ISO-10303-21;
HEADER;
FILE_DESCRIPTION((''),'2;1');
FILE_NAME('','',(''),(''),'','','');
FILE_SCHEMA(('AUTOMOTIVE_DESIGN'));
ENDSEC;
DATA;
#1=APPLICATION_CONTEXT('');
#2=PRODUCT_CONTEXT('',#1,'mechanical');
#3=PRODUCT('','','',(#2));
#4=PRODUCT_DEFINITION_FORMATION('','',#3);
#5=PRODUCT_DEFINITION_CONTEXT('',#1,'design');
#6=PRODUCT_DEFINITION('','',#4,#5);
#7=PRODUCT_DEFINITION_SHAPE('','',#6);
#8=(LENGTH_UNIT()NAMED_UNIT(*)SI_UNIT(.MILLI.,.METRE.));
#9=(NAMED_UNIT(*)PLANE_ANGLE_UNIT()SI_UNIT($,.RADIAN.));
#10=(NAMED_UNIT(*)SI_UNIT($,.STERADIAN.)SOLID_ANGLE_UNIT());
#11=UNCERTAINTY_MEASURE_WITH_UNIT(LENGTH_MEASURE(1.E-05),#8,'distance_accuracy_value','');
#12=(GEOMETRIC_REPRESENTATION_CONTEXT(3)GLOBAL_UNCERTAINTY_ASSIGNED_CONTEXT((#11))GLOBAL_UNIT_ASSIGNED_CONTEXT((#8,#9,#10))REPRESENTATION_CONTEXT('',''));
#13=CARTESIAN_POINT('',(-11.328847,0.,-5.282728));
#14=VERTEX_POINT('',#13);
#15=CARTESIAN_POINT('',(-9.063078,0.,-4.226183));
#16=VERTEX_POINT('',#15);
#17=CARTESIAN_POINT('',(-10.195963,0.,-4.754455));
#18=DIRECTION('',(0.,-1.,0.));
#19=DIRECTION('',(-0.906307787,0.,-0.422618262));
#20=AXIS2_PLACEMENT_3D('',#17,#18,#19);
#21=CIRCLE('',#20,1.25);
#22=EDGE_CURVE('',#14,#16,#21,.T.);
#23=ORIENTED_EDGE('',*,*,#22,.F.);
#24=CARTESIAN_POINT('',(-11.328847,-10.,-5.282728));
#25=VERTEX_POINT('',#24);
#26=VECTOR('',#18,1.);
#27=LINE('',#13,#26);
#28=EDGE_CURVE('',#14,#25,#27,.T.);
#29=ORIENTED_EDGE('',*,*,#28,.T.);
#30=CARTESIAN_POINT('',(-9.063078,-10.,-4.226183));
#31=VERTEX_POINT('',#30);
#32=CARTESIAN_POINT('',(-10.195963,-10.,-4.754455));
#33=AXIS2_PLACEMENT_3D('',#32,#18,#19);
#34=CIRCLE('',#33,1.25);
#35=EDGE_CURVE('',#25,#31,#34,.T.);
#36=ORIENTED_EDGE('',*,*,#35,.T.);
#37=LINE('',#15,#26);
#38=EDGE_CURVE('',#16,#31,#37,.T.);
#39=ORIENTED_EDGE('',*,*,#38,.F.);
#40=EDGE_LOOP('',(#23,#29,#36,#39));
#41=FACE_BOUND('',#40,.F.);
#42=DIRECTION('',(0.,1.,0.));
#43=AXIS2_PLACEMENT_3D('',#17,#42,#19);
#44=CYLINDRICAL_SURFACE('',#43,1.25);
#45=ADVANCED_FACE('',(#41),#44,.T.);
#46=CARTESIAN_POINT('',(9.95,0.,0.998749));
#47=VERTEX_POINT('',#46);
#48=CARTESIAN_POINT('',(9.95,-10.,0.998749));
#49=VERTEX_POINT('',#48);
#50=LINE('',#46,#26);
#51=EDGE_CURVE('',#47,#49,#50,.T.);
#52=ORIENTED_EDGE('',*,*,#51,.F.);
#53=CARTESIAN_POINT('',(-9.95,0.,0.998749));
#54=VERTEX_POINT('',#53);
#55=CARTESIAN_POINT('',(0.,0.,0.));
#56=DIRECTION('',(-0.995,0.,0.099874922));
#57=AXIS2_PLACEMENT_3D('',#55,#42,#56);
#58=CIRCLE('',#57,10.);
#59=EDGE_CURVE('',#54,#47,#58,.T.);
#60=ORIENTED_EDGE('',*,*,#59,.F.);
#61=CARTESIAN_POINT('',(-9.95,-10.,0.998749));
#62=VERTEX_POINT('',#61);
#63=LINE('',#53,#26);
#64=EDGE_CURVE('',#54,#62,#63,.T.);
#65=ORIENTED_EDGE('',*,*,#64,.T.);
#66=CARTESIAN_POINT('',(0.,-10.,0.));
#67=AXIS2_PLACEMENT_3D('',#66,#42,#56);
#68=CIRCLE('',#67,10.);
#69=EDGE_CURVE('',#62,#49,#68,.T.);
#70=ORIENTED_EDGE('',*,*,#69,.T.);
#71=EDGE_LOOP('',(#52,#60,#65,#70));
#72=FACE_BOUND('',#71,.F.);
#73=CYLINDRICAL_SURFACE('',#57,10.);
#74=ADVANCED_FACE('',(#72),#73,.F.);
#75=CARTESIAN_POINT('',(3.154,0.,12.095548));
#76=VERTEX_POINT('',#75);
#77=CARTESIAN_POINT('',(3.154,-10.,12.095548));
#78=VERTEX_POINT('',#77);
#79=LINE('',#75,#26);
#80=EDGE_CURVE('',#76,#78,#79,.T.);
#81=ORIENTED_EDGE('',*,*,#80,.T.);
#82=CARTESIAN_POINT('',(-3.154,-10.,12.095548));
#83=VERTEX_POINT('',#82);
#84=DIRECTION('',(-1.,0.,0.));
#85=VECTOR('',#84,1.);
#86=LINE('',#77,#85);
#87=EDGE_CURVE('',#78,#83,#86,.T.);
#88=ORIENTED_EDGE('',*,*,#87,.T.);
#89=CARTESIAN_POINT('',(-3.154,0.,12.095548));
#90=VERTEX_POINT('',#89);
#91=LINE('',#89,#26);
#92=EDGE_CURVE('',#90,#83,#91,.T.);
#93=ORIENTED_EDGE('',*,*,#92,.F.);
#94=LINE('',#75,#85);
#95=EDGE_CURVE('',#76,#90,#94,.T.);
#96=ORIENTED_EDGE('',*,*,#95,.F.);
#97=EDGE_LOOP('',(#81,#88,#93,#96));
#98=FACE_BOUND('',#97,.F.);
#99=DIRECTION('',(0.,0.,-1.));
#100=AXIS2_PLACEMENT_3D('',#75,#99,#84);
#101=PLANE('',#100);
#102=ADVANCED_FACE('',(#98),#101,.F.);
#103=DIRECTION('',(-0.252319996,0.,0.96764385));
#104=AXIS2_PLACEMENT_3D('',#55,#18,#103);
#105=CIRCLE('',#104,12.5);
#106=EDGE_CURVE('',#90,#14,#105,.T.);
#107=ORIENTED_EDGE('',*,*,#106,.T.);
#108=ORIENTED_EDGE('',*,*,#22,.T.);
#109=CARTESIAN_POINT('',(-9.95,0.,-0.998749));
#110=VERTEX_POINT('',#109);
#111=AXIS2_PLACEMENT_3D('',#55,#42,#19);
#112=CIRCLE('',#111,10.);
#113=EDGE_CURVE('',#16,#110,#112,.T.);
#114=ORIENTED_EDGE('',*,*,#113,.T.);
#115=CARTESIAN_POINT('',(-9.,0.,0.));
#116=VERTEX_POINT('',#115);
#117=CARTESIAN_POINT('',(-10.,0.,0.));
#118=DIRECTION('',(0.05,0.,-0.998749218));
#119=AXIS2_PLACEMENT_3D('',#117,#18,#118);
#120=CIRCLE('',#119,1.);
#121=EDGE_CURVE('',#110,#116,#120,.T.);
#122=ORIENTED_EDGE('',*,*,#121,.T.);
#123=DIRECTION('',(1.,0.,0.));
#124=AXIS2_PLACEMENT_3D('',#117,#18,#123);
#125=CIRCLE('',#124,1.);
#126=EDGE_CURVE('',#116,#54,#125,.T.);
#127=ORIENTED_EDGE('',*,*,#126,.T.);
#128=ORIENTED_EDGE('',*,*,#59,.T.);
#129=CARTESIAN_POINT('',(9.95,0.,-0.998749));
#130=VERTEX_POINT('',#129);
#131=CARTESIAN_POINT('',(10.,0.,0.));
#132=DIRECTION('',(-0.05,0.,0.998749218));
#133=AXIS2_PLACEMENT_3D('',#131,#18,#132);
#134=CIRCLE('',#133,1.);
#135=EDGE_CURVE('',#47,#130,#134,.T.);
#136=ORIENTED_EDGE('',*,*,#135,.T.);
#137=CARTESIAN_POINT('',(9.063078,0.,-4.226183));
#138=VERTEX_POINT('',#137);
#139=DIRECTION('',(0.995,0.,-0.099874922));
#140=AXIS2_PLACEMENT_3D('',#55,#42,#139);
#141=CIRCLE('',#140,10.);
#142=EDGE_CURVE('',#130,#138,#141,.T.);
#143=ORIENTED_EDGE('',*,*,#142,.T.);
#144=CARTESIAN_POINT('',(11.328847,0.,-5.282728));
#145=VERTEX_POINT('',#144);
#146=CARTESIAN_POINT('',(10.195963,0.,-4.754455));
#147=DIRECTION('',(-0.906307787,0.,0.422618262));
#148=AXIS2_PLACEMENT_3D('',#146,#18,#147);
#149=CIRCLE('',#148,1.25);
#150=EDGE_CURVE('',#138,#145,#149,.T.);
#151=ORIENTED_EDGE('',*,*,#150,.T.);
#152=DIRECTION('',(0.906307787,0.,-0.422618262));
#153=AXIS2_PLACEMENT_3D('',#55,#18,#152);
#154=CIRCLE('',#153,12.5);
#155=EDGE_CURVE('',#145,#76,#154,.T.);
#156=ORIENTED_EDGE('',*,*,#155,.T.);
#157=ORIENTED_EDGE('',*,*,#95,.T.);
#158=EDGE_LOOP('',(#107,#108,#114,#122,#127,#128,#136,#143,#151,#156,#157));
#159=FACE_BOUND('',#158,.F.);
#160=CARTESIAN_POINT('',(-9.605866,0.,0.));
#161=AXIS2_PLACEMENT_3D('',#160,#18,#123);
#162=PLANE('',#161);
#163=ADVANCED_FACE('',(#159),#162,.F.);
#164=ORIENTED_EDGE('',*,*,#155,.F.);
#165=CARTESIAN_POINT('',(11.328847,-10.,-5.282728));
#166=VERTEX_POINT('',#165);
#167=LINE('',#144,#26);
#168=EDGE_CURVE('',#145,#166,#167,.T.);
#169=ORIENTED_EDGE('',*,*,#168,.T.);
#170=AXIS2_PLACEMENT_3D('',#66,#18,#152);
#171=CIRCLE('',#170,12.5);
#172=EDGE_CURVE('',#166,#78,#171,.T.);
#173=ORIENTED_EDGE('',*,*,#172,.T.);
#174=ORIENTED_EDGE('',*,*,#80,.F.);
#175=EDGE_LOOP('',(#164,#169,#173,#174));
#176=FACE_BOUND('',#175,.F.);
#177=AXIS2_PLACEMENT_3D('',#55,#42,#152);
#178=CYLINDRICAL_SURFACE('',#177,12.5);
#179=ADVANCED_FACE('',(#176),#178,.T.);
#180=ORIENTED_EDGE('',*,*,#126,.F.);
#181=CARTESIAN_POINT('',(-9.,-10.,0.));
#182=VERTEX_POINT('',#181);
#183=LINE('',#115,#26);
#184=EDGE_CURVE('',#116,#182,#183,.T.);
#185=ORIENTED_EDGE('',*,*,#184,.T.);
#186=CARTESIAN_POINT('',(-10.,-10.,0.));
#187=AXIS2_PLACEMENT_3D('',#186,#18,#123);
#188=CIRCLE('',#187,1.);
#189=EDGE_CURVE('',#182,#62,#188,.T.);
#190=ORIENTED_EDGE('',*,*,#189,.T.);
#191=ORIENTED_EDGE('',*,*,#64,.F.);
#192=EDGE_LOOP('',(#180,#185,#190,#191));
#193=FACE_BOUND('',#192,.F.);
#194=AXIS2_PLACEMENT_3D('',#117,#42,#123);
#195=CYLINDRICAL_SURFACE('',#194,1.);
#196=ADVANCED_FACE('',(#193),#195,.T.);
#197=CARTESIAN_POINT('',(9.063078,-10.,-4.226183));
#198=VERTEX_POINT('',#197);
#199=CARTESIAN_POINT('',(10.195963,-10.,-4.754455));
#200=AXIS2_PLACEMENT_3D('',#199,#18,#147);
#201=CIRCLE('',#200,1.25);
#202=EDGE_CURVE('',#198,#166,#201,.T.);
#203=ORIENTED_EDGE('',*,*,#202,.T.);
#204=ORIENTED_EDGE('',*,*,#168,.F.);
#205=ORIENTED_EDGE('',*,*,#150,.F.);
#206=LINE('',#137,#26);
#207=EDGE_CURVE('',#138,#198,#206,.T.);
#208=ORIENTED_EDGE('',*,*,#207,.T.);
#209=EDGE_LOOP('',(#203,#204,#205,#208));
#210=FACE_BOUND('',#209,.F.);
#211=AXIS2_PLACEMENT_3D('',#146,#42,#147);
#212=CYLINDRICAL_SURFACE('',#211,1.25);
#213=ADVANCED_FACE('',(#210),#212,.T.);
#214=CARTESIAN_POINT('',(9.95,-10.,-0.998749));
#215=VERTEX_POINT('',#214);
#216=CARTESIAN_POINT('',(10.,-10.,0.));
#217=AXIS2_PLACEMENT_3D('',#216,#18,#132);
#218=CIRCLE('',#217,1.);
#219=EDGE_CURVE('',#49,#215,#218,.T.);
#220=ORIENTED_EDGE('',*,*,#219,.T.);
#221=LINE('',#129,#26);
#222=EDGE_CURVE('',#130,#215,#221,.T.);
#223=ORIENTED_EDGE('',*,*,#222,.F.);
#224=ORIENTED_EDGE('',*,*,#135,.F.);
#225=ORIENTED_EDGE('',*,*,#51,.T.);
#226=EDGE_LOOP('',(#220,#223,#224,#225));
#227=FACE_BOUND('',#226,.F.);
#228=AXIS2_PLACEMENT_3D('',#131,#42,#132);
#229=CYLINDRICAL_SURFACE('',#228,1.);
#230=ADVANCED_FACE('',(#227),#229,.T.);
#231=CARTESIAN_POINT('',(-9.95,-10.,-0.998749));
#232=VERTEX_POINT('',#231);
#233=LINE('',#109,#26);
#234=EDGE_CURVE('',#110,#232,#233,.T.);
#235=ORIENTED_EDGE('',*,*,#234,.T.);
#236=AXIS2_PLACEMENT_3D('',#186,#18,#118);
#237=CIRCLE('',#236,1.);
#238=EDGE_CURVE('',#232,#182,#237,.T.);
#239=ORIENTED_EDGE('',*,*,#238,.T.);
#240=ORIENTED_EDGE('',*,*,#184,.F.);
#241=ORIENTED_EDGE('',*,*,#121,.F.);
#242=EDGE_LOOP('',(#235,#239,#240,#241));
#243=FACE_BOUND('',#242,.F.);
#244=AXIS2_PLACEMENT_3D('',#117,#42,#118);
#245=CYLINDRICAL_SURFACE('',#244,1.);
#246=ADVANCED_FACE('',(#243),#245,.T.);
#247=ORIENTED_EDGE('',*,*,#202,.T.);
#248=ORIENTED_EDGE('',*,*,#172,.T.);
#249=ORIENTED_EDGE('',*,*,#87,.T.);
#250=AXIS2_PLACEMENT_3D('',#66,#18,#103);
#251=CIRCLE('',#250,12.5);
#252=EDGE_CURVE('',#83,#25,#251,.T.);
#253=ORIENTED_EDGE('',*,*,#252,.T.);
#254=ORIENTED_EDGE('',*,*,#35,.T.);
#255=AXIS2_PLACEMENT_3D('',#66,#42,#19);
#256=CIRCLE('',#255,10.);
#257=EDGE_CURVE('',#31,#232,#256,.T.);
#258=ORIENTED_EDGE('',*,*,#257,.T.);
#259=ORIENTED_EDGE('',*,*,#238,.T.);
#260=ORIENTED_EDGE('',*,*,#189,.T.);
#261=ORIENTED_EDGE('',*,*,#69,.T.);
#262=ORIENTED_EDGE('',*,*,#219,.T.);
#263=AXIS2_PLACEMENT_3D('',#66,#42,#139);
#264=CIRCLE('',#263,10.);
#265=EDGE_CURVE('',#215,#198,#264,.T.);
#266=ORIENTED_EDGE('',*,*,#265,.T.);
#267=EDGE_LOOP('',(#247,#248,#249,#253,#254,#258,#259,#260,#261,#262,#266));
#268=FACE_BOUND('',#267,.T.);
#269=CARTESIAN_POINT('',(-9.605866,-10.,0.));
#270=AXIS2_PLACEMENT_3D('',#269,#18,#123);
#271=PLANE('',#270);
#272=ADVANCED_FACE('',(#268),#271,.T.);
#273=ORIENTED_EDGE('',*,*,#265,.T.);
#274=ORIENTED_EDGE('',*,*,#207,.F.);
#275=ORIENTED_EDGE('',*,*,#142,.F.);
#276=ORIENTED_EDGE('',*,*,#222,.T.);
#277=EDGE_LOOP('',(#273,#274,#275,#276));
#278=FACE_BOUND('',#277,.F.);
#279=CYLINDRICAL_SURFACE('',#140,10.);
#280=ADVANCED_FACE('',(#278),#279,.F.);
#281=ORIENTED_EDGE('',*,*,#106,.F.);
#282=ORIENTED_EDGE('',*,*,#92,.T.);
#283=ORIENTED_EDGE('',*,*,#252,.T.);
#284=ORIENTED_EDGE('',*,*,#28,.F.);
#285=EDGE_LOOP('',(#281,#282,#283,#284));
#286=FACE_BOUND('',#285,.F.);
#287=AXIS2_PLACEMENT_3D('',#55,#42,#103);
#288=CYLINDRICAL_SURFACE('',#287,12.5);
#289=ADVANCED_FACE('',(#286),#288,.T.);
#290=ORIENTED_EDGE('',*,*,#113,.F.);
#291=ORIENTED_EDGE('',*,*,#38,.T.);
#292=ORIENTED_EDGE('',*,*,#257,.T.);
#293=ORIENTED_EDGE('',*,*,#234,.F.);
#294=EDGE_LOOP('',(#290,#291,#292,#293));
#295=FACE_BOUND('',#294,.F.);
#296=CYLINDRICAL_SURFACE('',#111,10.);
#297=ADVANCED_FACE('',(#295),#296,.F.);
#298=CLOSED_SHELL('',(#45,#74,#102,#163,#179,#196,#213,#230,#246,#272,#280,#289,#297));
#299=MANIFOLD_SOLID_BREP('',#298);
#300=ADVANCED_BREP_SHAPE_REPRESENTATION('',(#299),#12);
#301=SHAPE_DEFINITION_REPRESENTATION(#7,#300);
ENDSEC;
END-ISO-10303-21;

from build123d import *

# Parameters (mm, degrees)
F1_DEPTH = 10


with BuildPart() as f1:
    # F0 (on Front) → F1 (new body)
    with BuildSketch(Plane.XZ):
        with BuildLine():
            ThreePointArc((-9.95, 0.9987492178), (-10, 0), (-9.95, -0.9987492178))
            ThreePointArc((-9.95, -0.9987492178), (-9.2754311627, -0.6892024376), (-9, 0))
            ThreePointArc((-9, 0), (-9.2754311627, 0.6892024376), (-9.95, 0.9987492178))
        make_face()
        with BuildLine():
            ThreePointArc((9.95, -0.9987492178), (10, 0), (9.95, 0.9987492178))
            ThreePointArc((9.95, 0.9987492178), (9, 0), (9.95, -0.9987492178))
        make_face()
        with BuildLine():
            ThreePointArc((-9.95, 0.9987492178), (-11, 0), (-9.95, -0.9987492178))
            ThreePointArc((-9.95, -0.9987492178), (-10, 0), (-9.95, 0.9987492178))
        make_face()
        with BuildLine():
            ThreePointArc((11, 0), (10.6892024376, 0.7245688373), (9.95, 0.9987492178))
            ThreePointArc((9.95, 0.9987492178), (10, 0), (9.95, -0.9987492178))
            ThreePointArc((9.95, -0.9987492178), (10.6892024376, -0.7245688373), (11, 0))
        make_face()
        with BuildLine():
            ThreePointArc((-11.328847338, -5.2827282718), (-9.667689777, -5.8873401784), (-9.0630778704, -4.2261826174))
            ThreePointArc((-9.0630778704, -4.2261826174), (-9.6425289273, -2.6498369547), (-9.95, -0.9987492178))
            ThreePointArc((-9.95, -0.9987492178), (-11, 0), (-9.95, 0.9987492178))
            ThreePointArc((-9.95, 0.9987492178), (0, 10), (9.95, 0.9987492178))
            ThreePointArc((9.95, 0.9987492178), (10.6892024376, 0.7245688373), (11, 0))
            ThreePointArc((11, 0), (10.6892024376, -0.7245688373), (9.95, -0.9987492178))
            ThreePointArc((9.95, -0.9987492178), (9.6425289273, -2.6498369547), (9.0630778704, -4.2261826174))
            ThreePointArc((9.0630778704, -4.2261826174), (9.667689777, -5.8873401784), (11.328847338, -5.2827282718))
            ThreePointArc((11.328847338, -5.2827282718), (11.3110273164, 5.3207763577), (3.1539999452, 12.0955481209))
            Line((3.1539999452, 12.0955481209), (-3.1539999452, 12.0955481209))
            ThreePointArc((-3.1539999452, 12.0955481209), (-11.3110273164, 5.3207763577), (-11.328847338, -5.2827282718))
        make_face()
    extrude(amount=F1_DEPTH)


solid = f1.part
